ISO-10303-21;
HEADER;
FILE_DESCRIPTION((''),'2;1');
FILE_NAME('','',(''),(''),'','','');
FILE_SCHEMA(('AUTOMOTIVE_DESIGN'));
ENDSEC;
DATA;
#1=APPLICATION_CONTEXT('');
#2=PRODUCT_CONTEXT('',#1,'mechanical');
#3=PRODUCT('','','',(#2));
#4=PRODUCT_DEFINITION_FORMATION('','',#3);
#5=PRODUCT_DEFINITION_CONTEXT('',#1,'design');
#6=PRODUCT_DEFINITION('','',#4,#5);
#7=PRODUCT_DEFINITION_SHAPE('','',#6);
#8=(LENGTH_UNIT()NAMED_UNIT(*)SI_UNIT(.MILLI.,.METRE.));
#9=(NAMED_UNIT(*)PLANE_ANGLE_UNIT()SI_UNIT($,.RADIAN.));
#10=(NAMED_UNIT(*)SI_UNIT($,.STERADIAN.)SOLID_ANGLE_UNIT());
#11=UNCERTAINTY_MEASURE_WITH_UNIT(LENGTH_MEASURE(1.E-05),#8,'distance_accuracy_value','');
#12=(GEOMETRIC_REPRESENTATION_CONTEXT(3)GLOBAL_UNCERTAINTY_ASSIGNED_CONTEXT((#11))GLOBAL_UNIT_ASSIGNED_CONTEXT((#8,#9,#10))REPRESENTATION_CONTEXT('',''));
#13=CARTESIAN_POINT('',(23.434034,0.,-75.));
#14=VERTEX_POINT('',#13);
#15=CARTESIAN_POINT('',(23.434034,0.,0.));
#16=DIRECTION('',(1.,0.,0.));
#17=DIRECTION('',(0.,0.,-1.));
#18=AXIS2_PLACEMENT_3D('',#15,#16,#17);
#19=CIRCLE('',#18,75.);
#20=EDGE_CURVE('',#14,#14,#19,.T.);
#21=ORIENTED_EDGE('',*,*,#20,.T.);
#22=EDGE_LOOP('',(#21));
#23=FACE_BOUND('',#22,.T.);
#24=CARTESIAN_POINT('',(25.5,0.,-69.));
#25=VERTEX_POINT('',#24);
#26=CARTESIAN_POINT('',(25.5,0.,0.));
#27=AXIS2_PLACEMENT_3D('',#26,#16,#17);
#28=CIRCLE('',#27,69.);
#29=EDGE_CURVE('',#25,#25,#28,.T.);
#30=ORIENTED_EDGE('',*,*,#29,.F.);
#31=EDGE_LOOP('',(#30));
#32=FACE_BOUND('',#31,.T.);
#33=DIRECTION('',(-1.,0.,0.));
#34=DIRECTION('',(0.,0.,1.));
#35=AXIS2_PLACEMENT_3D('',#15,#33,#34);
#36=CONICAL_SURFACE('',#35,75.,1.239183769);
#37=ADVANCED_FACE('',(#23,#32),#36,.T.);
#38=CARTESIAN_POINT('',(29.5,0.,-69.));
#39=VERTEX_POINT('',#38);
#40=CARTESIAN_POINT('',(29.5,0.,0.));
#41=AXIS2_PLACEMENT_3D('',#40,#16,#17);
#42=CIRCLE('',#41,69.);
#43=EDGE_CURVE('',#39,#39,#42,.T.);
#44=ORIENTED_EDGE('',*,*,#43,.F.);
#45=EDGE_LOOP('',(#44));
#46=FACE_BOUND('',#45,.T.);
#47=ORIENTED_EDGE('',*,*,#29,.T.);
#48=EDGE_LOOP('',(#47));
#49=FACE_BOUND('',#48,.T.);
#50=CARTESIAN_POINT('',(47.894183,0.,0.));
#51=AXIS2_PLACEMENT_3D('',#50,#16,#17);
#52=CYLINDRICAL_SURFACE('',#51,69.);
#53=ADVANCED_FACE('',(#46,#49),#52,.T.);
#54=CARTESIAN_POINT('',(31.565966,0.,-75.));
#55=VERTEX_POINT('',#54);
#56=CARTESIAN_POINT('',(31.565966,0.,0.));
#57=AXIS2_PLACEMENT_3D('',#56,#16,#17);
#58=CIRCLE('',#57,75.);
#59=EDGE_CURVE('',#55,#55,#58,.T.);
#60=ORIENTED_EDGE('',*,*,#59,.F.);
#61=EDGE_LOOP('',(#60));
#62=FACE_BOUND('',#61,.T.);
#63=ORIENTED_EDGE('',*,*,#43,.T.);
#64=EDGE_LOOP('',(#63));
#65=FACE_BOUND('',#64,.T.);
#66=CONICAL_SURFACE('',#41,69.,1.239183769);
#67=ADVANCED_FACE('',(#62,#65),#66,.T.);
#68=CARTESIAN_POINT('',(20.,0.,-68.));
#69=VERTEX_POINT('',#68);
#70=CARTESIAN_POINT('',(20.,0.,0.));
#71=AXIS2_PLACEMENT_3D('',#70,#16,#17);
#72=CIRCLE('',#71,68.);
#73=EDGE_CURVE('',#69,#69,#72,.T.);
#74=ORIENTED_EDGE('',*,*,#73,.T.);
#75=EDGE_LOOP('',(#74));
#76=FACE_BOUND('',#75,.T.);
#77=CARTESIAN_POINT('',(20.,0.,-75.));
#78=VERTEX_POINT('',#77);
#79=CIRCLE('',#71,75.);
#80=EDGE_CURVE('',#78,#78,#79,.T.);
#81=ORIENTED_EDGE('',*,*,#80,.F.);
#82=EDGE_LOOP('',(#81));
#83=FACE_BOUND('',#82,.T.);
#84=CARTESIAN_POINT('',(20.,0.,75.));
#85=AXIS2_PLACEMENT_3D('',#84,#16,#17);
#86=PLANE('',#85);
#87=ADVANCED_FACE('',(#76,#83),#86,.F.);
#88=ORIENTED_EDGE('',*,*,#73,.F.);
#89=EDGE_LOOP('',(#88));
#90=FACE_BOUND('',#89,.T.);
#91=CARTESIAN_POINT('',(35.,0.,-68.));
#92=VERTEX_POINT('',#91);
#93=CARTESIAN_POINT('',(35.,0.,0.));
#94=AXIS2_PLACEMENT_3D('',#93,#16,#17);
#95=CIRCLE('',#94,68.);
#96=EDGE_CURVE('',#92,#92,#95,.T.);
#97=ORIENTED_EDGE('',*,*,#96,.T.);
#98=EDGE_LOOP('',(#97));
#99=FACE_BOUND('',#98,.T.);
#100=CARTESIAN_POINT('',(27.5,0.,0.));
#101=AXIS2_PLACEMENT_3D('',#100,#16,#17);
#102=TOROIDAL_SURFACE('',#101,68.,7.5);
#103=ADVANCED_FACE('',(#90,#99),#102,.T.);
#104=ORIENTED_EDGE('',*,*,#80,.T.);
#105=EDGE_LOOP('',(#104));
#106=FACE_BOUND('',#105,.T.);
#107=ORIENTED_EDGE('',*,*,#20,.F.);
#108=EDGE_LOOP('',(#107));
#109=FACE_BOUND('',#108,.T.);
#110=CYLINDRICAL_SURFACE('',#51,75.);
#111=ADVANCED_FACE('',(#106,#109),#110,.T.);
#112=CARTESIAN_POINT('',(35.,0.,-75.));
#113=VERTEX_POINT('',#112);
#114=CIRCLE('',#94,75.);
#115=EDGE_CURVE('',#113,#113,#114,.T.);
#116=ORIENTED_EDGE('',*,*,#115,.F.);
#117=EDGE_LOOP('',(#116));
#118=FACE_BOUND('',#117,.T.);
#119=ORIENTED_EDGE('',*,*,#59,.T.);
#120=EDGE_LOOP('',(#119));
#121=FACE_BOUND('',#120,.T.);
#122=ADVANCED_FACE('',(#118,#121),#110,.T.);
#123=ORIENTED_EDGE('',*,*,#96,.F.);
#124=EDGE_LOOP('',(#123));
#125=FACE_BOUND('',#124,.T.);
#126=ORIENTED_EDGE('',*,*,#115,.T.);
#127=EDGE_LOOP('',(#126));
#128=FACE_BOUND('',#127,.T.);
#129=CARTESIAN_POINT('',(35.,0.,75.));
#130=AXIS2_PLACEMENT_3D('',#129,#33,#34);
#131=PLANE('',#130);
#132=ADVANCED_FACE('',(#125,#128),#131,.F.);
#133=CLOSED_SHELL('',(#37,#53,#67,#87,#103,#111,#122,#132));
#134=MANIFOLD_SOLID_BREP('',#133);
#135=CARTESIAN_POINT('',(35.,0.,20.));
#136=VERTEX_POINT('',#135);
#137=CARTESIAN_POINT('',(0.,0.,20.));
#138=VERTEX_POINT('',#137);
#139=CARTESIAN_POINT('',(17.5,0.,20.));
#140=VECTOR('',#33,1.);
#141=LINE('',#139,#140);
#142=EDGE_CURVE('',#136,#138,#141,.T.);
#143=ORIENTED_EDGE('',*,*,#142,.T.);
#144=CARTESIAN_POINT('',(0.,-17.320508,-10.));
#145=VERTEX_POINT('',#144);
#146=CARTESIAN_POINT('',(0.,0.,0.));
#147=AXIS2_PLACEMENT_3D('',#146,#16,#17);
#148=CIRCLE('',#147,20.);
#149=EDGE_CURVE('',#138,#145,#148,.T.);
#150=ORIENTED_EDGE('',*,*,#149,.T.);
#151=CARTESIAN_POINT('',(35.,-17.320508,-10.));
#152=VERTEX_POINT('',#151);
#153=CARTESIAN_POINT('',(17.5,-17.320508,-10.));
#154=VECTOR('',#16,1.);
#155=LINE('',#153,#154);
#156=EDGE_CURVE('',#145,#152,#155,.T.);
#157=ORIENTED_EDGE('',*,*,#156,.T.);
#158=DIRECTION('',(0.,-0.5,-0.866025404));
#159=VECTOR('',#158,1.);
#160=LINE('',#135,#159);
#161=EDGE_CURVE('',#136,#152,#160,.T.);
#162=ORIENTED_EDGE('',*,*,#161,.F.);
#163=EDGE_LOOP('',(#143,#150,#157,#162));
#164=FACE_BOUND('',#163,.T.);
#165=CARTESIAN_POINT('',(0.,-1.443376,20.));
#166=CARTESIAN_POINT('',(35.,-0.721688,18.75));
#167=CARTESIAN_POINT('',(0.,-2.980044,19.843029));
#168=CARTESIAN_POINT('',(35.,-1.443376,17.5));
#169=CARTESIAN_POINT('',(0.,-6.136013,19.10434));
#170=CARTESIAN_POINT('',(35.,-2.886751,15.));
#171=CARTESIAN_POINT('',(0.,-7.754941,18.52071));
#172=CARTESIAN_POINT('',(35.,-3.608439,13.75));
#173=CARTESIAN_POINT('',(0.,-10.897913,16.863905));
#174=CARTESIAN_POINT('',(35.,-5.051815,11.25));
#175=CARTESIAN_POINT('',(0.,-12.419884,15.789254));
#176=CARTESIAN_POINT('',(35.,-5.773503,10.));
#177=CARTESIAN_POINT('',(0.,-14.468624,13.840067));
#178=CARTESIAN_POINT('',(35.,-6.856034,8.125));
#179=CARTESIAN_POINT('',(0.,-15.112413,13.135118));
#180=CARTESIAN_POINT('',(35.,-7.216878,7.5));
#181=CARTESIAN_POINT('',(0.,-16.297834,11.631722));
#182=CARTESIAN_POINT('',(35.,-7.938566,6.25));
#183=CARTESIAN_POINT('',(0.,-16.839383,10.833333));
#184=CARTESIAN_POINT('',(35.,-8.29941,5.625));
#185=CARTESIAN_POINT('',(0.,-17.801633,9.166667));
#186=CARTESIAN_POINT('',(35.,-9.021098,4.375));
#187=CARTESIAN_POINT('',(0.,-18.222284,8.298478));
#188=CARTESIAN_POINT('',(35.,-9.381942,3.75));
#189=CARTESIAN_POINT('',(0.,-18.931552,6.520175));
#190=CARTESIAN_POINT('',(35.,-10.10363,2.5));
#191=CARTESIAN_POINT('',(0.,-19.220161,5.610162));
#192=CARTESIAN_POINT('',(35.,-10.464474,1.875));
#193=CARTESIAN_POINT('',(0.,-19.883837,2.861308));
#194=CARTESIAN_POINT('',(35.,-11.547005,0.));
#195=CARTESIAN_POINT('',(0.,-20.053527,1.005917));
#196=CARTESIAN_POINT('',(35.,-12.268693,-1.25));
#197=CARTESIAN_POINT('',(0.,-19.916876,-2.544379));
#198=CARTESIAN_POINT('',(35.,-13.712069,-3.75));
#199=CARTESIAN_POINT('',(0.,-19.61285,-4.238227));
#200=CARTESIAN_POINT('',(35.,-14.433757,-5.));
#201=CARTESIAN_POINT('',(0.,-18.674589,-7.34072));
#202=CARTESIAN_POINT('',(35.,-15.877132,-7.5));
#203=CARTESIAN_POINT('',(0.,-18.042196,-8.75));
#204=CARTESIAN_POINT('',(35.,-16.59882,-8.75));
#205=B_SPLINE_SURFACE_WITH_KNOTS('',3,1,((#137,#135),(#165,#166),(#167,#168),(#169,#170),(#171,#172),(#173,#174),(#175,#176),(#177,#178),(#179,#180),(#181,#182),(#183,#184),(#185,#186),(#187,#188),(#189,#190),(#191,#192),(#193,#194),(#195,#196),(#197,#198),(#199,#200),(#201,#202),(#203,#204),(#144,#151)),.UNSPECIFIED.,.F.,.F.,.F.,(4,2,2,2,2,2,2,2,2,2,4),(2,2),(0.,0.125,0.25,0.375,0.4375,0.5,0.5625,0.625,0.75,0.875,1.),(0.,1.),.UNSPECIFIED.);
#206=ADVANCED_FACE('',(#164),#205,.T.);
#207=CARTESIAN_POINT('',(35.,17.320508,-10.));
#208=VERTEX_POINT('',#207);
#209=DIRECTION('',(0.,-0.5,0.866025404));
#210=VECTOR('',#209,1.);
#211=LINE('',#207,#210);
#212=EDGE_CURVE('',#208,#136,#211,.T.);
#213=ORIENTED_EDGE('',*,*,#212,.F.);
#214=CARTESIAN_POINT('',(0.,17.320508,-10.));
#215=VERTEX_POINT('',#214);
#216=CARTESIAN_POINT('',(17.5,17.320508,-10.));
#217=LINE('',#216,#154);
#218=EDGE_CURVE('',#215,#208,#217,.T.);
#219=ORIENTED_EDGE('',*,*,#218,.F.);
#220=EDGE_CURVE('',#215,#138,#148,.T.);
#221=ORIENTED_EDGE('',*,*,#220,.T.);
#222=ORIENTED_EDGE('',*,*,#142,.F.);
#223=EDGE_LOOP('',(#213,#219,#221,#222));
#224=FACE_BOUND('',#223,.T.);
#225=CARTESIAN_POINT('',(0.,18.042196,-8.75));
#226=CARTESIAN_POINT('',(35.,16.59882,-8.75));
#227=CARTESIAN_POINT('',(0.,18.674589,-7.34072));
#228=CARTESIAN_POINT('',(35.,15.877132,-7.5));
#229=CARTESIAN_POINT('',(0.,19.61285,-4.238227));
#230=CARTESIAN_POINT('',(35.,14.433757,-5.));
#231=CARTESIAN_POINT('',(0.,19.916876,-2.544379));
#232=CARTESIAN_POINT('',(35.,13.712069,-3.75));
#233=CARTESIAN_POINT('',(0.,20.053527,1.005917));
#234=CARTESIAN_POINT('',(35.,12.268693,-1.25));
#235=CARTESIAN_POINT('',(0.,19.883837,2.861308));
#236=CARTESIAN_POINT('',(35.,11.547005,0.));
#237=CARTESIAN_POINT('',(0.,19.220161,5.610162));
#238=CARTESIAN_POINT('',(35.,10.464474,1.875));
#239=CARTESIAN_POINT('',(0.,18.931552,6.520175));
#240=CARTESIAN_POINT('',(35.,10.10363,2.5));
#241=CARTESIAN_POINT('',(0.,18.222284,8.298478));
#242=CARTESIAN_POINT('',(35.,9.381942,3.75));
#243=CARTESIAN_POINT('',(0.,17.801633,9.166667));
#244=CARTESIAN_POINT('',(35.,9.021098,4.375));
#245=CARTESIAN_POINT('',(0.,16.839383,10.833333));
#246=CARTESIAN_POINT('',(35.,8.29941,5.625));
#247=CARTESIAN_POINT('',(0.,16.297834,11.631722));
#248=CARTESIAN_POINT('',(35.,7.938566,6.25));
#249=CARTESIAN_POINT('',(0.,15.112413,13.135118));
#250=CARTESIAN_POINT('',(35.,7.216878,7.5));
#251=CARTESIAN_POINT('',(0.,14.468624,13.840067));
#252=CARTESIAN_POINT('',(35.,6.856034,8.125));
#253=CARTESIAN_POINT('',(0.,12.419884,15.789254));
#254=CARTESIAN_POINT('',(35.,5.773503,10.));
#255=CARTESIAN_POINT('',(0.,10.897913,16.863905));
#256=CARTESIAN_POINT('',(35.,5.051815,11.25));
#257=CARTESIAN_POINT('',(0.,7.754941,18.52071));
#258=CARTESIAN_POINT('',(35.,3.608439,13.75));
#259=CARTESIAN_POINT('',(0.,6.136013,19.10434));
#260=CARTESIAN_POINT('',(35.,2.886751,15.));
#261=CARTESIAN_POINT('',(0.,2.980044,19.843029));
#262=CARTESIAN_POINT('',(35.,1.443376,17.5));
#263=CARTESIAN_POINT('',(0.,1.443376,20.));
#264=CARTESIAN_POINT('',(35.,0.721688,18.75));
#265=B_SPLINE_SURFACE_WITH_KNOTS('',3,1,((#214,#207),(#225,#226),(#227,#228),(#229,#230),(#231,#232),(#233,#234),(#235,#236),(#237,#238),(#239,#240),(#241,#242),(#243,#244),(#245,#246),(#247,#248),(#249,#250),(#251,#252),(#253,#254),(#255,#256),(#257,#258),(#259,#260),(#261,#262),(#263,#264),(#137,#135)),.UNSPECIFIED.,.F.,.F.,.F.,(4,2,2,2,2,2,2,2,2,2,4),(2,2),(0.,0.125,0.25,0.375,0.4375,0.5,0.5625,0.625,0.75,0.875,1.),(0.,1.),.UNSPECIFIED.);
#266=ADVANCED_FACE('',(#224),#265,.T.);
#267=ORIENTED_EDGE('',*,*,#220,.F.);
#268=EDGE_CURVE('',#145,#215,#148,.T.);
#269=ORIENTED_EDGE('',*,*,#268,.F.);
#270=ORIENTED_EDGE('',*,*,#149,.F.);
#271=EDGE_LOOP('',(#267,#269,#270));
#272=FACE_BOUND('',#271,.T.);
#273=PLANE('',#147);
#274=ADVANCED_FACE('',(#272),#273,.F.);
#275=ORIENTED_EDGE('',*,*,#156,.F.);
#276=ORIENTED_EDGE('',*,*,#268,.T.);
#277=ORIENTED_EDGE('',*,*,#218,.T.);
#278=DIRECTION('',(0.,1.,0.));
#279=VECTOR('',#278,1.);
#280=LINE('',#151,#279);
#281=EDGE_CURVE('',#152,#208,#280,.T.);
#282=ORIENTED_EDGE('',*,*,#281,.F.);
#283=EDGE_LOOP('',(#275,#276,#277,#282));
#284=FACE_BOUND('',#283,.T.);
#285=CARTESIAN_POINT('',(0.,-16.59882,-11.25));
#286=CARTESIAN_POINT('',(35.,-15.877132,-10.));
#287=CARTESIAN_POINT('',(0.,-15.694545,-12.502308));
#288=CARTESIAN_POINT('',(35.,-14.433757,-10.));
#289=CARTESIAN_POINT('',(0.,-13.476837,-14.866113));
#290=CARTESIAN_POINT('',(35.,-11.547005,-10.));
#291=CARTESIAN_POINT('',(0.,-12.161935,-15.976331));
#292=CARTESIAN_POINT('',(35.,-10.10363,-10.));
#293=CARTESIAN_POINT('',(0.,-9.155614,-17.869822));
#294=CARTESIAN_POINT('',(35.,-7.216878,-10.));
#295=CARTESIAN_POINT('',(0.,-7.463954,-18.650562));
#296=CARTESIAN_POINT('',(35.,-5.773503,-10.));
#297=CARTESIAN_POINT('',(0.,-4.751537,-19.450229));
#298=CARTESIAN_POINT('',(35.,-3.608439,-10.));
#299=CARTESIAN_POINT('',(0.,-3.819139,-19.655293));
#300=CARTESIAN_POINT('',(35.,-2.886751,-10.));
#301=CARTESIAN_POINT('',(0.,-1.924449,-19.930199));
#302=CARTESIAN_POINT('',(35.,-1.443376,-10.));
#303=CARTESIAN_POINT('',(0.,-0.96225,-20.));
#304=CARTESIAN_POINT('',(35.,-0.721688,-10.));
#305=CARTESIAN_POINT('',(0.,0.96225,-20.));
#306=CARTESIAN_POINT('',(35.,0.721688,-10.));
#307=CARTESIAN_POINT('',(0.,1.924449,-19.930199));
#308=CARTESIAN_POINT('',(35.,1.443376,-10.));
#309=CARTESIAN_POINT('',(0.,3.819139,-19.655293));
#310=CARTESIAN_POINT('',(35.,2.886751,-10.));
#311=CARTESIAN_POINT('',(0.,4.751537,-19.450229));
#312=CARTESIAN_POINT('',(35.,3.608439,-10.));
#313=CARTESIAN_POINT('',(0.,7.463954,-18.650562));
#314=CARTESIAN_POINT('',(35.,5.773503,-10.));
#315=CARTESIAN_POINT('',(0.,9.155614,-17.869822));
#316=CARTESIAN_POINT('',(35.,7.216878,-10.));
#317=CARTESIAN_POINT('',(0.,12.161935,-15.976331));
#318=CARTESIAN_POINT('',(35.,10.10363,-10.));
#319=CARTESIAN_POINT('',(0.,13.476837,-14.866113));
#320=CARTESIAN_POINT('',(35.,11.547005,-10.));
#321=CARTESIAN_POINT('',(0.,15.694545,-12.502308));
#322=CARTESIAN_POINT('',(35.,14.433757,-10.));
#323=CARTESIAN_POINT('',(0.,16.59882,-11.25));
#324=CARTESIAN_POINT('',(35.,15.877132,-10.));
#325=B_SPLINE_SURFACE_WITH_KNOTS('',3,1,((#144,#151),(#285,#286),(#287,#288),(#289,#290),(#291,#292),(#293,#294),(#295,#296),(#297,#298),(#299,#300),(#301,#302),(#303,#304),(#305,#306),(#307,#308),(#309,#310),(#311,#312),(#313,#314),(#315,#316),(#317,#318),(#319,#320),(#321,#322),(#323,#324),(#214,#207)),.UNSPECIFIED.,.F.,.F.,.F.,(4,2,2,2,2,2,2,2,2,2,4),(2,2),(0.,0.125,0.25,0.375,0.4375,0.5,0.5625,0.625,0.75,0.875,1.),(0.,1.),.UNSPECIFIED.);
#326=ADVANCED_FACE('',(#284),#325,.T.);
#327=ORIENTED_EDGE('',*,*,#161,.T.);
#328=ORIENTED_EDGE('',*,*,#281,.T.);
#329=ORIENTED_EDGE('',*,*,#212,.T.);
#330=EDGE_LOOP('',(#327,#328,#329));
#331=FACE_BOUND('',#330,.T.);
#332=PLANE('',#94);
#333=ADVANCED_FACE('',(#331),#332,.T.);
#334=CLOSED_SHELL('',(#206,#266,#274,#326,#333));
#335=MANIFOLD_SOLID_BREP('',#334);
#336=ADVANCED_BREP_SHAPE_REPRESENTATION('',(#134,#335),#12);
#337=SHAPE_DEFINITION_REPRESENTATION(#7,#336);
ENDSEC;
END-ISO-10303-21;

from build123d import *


with BuildPart() as part:
    # Sketch3 for Loft1 → Loft1 section 0
    with BuildSketch(Plane(origin=(0, 0, 0), x_dir=(0, 0, -1), z_dir=(1, 0, 0))):
        with BuildLine():
            # circular arc as an exact rational Bezier (weights 1, cos(half-angle), 1)
            Bezier((-20, 0), (-20.000000001, -34.641016152), (10, -17.320508076), weights=[1, 0.5, 1])
            Bezier((10, -17.320508076), (39.999999999, 0), (10, 17.320508076), weights=[1, 0.5, 1])
            Bezier((10, 17.320508076), (-20.000000001, 34.641016152), (-20, 0), weights=[1, 0.5, 1])
        make_face()
    # Sketch4 → Loft1 section 1
    with BuildSketch(Plane(origin=(35, 0, 0), x_dir=(0, 0, -1), z_dir=(1, 0, 0))):
        with BuildLine():
            Line((-20, 0), (10, -17.320508076))
            Line((10, -17.320508076), (10, 17.320508076))
            Line((10, 17.320508076), (-20, 0))
        make_face()
    loft()


with BuildPart() as body_2:
    # Sketch6 → Revolve1 (revolve)
    with BuildSketch(Plane(origin=(0, 0, 0), x_dir=(1, 0, 0), z_dir=(0, 1, 0)), mode=Mode.PRIVATE) as revolve1_sk:
        with BuildLine():
            Line((23.43403432, -75), (25.5, -69))
            Line((25.5, -69), (29.5, -69))
            Line((29.5, -69), (31.56596568, -75))
            Line((31.56596568, -75), (35, -75))
            Line((35, -75), (35, -68))
            ThreePointArc((35, -68), (27.5, -60.5), (20, -68))
            Line((20, -68), (20, -75))
            Line((20, -75), (23.43403432, -75))
        make_face()
    revolve(revolve1_sk.sketch.rotate(Axis((47.894182532, 0, 0), (-1, 0, 0)), 180), axis=Axis((47.894182532, 0, 0), (-1, 0, 0)))


solid = Compound([part.part, body_2.part])
